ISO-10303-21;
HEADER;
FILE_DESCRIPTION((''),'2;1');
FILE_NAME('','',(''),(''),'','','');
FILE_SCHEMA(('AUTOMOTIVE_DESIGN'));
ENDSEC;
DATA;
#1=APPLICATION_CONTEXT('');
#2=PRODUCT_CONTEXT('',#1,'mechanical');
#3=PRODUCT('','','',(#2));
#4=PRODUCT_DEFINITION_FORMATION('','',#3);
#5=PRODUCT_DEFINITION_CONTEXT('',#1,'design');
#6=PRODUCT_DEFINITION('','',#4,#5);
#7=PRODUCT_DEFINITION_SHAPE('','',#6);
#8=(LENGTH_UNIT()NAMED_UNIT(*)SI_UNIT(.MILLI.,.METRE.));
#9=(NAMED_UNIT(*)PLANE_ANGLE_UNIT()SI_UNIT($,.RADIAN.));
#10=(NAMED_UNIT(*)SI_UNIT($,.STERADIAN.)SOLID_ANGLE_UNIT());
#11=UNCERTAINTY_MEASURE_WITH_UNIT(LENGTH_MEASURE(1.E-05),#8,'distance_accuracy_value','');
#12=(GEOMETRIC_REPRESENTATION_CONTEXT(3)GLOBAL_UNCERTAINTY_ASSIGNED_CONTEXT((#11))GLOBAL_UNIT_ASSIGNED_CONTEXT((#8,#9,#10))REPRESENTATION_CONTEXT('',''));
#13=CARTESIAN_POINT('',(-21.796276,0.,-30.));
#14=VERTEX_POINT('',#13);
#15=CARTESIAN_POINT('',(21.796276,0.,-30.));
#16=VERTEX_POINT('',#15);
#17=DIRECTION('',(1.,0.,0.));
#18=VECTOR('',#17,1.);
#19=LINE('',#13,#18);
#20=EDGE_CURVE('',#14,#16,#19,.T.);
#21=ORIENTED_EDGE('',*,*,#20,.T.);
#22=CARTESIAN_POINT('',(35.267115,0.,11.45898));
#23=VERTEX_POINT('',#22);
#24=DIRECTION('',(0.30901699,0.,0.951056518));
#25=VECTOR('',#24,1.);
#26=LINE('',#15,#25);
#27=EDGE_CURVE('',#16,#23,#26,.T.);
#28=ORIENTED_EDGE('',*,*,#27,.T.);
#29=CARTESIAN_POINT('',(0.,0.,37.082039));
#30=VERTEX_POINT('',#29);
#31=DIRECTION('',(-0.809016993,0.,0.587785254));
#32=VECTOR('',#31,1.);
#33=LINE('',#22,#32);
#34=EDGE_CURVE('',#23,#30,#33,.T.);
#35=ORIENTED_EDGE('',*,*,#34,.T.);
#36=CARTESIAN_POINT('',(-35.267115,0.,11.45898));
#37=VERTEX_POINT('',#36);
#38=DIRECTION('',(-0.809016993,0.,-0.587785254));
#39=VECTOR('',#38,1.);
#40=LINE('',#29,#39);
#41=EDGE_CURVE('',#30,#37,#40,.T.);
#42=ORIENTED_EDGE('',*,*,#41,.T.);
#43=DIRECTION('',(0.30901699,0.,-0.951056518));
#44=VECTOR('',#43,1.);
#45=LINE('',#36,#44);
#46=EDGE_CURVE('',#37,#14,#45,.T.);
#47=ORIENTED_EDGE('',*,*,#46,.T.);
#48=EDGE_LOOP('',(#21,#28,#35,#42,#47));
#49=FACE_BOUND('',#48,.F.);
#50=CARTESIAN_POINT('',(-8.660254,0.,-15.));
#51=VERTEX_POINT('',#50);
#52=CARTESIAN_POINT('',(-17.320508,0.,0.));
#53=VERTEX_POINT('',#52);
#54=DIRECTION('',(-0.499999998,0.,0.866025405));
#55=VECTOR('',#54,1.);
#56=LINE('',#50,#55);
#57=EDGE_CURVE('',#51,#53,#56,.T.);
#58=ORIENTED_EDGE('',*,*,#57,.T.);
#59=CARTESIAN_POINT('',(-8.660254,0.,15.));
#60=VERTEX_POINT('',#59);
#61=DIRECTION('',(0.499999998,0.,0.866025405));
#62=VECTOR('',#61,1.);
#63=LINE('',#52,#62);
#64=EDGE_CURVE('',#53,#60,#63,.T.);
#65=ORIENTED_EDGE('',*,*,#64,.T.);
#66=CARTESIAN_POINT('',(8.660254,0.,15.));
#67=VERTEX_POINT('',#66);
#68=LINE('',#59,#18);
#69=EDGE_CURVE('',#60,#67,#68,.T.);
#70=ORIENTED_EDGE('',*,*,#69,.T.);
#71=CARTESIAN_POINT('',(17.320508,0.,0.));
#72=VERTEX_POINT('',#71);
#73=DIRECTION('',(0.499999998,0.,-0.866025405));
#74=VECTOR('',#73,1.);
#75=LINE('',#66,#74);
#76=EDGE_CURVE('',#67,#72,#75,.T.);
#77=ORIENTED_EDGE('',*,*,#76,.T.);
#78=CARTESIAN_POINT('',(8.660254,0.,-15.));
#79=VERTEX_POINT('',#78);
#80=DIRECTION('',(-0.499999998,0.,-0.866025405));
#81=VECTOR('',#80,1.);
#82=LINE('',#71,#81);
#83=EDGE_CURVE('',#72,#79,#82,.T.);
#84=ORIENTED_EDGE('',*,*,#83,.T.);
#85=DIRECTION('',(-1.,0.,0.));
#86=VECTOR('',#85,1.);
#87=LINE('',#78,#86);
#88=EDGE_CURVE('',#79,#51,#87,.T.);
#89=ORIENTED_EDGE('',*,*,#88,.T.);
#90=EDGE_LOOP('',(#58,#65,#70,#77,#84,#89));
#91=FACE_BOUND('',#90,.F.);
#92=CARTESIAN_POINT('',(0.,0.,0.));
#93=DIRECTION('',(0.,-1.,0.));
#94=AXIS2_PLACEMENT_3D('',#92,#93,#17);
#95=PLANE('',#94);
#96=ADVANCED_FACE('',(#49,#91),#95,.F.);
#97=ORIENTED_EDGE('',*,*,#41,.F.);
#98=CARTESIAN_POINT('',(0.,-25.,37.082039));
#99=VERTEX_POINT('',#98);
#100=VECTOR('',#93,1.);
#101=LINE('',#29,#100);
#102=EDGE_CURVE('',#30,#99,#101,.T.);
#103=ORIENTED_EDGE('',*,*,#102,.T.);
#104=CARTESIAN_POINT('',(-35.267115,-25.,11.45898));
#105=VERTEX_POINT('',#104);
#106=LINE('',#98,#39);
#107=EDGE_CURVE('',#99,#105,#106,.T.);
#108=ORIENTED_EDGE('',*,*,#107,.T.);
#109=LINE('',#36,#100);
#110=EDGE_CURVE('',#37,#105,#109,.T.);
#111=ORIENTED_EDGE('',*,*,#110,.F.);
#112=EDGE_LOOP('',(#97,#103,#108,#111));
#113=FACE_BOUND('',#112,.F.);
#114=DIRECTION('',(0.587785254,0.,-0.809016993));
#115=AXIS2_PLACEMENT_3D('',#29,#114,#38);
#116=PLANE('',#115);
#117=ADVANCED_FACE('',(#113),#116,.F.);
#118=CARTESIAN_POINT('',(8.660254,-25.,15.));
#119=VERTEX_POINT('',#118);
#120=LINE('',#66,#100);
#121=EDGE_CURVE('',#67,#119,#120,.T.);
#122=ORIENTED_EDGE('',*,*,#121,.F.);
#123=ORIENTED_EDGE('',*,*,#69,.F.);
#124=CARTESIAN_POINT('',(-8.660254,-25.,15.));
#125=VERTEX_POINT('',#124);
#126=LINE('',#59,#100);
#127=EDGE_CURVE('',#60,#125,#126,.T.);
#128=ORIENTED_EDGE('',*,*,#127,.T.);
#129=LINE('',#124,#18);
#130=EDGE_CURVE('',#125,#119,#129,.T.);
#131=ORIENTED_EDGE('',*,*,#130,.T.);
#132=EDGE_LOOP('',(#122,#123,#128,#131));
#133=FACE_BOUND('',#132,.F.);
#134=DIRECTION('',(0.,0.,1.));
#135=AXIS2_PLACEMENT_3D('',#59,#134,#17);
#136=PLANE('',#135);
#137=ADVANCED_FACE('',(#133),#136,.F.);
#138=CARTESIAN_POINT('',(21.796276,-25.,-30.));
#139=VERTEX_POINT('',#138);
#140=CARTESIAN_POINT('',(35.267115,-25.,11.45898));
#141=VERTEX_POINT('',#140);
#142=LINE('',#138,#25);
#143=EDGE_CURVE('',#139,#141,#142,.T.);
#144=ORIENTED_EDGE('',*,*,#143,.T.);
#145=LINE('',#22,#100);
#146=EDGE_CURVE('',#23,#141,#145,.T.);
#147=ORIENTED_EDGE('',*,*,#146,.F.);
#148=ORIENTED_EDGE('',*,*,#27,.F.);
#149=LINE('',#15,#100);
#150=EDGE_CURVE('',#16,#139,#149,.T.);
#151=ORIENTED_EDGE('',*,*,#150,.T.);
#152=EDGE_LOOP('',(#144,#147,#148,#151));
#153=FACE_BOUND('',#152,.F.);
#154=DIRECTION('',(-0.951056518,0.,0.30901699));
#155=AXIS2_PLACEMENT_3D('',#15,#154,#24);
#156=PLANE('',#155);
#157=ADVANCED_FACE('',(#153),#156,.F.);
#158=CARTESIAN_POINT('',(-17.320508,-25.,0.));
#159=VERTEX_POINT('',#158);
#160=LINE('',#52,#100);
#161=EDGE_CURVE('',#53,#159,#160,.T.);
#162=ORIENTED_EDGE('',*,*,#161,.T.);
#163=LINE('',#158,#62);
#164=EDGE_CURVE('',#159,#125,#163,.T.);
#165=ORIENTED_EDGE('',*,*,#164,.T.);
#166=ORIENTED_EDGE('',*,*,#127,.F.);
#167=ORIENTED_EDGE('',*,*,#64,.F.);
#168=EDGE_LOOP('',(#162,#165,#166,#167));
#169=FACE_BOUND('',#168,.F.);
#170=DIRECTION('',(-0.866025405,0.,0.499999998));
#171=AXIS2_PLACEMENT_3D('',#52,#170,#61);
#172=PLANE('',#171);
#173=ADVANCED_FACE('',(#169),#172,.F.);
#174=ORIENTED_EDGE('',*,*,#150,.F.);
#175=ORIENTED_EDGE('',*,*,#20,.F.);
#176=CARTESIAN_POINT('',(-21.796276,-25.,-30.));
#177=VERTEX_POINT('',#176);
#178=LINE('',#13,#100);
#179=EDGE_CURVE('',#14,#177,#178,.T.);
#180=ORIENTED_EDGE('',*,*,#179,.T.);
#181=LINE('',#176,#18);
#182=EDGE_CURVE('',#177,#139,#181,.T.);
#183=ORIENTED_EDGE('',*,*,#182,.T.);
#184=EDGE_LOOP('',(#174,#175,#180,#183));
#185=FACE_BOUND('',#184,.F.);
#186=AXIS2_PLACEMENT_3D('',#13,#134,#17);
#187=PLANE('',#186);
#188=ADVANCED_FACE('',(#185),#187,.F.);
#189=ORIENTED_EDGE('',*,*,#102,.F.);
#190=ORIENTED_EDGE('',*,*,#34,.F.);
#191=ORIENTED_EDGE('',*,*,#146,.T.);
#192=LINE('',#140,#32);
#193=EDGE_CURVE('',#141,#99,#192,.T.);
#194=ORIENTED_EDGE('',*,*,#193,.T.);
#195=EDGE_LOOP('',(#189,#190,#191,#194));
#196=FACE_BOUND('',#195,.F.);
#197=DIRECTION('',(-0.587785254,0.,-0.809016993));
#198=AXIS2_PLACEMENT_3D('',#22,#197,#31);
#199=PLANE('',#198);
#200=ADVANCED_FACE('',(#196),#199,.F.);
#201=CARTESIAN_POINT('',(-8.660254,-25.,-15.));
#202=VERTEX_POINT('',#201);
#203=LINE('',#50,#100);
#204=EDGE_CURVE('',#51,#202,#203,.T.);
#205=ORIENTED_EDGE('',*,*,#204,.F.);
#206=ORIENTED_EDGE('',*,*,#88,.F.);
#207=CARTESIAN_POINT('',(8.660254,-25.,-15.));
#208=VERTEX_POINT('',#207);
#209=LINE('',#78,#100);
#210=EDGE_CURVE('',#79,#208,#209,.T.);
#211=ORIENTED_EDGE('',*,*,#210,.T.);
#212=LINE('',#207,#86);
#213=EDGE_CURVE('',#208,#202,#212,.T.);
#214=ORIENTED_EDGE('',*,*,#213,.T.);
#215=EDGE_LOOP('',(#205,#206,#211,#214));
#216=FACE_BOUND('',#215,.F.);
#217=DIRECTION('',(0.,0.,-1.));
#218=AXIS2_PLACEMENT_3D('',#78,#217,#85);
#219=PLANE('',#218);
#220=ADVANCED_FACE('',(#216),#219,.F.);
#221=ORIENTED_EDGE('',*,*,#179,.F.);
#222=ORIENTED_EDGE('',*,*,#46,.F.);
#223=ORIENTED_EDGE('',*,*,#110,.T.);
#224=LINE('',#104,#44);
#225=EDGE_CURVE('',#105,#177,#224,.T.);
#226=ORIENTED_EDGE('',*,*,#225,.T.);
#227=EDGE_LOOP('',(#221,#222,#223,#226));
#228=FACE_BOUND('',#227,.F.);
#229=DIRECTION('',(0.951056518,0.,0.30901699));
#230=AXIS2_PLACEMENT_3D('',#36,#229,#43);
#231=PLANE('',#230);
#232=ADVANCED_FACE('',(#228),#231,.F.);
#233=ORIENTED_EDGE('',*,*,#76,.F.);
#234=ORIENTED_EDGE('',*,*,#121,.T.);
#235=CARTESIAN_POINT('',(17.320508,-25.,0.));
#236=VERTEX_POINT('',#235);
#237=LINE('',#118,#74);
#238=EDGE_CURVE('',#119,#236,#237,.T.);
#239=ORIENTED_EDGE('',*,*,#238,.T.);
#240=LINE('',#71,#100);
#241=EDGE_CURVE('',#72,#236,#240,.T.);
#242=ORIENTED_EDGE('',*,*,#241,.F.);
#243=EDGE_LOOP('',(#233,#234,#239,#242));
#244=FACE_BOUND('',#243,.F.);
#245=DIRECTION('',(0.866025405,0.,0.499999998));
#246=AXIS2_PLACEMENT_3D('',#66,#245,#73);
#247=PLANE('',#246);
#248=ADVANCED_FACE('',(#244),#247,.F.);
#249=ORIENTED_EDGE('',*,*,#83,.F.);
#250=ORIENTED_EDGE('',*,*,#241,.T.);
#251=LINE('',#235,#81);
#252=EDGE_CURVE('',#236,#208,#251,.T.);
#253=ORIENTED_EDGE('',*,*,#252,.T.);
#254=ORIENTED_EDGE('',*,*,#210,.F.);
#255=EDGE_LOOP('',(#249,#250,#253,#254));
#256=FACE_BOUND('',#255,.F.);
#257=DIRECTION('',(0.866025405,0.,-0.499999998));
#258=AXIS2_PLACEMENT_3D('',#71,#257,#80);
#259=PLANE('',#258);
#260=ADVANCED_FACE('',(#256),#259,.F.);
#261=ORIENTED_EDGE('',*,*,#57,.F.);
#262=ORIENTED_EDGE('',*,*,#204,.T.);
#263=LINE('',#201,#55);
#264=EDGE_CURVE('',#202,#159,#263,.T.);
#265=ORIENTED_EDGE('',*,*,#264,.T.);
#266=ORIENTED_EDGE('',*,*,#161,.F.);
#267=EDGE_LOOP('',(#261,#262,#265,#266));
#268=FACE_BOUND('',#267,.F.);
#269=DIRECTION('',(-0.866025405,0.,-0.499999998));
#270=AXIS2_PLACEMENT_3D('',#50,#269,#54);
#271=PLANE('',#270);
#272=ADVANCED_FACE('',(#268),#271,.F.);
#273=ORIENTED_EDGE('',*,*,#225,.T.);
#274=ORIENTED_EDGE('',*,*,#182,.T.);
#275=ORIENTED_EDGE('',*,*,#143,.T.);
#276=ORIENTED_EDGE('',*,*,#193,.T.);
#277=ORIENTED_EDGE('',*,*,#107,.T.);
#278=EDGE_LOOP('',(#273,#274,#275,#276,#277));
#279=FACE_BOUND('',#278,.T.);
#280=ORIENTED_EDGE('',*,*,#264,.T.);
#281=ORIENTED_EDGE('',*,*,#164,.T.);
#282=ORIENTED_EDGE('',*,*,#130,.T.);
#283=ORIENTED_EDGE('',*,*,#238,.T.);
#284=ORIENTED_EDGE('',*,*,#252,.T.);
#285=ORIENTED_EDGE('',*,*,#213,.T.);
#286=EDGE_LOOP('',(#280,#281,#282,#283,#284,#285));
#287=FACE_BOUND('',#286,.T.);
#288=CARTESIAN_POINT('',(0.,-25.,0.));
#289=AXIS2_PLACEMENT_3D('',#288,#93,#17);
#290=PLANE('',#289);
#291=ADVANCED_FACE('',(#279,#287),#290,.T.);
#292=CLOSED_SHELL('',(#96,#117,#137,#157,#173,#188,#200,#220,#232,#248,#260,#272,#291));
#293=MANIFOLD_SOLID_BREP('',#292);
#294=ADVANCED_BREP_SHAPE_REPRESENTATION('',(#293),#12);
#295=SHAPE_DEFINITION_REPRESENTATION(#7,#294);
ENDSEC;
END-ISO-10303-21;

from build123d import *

# Parameters (mm, degrees)
F1_DEPTH = 25


with BuildPart() as f1:
    # F0 (on Front) → F1 (new body)
    with BuildSketch(Plane.XZ):
        Polygon((-21.796276, -30), (21.796276, -30), (35.267115, 11.45898), (0, 37.082039), (-35.267115, 11.45898), align=None)
        Polygon((-17.320508, 0), (-8.660254, 15), (8.660254, 15), (17.320508, 0), (8.660254, -15), (-8.660254, -15), align=None, mode=Mode.SUBTRACT)
    extrude(amount=F1_DEPTH)


solid = f1.part
